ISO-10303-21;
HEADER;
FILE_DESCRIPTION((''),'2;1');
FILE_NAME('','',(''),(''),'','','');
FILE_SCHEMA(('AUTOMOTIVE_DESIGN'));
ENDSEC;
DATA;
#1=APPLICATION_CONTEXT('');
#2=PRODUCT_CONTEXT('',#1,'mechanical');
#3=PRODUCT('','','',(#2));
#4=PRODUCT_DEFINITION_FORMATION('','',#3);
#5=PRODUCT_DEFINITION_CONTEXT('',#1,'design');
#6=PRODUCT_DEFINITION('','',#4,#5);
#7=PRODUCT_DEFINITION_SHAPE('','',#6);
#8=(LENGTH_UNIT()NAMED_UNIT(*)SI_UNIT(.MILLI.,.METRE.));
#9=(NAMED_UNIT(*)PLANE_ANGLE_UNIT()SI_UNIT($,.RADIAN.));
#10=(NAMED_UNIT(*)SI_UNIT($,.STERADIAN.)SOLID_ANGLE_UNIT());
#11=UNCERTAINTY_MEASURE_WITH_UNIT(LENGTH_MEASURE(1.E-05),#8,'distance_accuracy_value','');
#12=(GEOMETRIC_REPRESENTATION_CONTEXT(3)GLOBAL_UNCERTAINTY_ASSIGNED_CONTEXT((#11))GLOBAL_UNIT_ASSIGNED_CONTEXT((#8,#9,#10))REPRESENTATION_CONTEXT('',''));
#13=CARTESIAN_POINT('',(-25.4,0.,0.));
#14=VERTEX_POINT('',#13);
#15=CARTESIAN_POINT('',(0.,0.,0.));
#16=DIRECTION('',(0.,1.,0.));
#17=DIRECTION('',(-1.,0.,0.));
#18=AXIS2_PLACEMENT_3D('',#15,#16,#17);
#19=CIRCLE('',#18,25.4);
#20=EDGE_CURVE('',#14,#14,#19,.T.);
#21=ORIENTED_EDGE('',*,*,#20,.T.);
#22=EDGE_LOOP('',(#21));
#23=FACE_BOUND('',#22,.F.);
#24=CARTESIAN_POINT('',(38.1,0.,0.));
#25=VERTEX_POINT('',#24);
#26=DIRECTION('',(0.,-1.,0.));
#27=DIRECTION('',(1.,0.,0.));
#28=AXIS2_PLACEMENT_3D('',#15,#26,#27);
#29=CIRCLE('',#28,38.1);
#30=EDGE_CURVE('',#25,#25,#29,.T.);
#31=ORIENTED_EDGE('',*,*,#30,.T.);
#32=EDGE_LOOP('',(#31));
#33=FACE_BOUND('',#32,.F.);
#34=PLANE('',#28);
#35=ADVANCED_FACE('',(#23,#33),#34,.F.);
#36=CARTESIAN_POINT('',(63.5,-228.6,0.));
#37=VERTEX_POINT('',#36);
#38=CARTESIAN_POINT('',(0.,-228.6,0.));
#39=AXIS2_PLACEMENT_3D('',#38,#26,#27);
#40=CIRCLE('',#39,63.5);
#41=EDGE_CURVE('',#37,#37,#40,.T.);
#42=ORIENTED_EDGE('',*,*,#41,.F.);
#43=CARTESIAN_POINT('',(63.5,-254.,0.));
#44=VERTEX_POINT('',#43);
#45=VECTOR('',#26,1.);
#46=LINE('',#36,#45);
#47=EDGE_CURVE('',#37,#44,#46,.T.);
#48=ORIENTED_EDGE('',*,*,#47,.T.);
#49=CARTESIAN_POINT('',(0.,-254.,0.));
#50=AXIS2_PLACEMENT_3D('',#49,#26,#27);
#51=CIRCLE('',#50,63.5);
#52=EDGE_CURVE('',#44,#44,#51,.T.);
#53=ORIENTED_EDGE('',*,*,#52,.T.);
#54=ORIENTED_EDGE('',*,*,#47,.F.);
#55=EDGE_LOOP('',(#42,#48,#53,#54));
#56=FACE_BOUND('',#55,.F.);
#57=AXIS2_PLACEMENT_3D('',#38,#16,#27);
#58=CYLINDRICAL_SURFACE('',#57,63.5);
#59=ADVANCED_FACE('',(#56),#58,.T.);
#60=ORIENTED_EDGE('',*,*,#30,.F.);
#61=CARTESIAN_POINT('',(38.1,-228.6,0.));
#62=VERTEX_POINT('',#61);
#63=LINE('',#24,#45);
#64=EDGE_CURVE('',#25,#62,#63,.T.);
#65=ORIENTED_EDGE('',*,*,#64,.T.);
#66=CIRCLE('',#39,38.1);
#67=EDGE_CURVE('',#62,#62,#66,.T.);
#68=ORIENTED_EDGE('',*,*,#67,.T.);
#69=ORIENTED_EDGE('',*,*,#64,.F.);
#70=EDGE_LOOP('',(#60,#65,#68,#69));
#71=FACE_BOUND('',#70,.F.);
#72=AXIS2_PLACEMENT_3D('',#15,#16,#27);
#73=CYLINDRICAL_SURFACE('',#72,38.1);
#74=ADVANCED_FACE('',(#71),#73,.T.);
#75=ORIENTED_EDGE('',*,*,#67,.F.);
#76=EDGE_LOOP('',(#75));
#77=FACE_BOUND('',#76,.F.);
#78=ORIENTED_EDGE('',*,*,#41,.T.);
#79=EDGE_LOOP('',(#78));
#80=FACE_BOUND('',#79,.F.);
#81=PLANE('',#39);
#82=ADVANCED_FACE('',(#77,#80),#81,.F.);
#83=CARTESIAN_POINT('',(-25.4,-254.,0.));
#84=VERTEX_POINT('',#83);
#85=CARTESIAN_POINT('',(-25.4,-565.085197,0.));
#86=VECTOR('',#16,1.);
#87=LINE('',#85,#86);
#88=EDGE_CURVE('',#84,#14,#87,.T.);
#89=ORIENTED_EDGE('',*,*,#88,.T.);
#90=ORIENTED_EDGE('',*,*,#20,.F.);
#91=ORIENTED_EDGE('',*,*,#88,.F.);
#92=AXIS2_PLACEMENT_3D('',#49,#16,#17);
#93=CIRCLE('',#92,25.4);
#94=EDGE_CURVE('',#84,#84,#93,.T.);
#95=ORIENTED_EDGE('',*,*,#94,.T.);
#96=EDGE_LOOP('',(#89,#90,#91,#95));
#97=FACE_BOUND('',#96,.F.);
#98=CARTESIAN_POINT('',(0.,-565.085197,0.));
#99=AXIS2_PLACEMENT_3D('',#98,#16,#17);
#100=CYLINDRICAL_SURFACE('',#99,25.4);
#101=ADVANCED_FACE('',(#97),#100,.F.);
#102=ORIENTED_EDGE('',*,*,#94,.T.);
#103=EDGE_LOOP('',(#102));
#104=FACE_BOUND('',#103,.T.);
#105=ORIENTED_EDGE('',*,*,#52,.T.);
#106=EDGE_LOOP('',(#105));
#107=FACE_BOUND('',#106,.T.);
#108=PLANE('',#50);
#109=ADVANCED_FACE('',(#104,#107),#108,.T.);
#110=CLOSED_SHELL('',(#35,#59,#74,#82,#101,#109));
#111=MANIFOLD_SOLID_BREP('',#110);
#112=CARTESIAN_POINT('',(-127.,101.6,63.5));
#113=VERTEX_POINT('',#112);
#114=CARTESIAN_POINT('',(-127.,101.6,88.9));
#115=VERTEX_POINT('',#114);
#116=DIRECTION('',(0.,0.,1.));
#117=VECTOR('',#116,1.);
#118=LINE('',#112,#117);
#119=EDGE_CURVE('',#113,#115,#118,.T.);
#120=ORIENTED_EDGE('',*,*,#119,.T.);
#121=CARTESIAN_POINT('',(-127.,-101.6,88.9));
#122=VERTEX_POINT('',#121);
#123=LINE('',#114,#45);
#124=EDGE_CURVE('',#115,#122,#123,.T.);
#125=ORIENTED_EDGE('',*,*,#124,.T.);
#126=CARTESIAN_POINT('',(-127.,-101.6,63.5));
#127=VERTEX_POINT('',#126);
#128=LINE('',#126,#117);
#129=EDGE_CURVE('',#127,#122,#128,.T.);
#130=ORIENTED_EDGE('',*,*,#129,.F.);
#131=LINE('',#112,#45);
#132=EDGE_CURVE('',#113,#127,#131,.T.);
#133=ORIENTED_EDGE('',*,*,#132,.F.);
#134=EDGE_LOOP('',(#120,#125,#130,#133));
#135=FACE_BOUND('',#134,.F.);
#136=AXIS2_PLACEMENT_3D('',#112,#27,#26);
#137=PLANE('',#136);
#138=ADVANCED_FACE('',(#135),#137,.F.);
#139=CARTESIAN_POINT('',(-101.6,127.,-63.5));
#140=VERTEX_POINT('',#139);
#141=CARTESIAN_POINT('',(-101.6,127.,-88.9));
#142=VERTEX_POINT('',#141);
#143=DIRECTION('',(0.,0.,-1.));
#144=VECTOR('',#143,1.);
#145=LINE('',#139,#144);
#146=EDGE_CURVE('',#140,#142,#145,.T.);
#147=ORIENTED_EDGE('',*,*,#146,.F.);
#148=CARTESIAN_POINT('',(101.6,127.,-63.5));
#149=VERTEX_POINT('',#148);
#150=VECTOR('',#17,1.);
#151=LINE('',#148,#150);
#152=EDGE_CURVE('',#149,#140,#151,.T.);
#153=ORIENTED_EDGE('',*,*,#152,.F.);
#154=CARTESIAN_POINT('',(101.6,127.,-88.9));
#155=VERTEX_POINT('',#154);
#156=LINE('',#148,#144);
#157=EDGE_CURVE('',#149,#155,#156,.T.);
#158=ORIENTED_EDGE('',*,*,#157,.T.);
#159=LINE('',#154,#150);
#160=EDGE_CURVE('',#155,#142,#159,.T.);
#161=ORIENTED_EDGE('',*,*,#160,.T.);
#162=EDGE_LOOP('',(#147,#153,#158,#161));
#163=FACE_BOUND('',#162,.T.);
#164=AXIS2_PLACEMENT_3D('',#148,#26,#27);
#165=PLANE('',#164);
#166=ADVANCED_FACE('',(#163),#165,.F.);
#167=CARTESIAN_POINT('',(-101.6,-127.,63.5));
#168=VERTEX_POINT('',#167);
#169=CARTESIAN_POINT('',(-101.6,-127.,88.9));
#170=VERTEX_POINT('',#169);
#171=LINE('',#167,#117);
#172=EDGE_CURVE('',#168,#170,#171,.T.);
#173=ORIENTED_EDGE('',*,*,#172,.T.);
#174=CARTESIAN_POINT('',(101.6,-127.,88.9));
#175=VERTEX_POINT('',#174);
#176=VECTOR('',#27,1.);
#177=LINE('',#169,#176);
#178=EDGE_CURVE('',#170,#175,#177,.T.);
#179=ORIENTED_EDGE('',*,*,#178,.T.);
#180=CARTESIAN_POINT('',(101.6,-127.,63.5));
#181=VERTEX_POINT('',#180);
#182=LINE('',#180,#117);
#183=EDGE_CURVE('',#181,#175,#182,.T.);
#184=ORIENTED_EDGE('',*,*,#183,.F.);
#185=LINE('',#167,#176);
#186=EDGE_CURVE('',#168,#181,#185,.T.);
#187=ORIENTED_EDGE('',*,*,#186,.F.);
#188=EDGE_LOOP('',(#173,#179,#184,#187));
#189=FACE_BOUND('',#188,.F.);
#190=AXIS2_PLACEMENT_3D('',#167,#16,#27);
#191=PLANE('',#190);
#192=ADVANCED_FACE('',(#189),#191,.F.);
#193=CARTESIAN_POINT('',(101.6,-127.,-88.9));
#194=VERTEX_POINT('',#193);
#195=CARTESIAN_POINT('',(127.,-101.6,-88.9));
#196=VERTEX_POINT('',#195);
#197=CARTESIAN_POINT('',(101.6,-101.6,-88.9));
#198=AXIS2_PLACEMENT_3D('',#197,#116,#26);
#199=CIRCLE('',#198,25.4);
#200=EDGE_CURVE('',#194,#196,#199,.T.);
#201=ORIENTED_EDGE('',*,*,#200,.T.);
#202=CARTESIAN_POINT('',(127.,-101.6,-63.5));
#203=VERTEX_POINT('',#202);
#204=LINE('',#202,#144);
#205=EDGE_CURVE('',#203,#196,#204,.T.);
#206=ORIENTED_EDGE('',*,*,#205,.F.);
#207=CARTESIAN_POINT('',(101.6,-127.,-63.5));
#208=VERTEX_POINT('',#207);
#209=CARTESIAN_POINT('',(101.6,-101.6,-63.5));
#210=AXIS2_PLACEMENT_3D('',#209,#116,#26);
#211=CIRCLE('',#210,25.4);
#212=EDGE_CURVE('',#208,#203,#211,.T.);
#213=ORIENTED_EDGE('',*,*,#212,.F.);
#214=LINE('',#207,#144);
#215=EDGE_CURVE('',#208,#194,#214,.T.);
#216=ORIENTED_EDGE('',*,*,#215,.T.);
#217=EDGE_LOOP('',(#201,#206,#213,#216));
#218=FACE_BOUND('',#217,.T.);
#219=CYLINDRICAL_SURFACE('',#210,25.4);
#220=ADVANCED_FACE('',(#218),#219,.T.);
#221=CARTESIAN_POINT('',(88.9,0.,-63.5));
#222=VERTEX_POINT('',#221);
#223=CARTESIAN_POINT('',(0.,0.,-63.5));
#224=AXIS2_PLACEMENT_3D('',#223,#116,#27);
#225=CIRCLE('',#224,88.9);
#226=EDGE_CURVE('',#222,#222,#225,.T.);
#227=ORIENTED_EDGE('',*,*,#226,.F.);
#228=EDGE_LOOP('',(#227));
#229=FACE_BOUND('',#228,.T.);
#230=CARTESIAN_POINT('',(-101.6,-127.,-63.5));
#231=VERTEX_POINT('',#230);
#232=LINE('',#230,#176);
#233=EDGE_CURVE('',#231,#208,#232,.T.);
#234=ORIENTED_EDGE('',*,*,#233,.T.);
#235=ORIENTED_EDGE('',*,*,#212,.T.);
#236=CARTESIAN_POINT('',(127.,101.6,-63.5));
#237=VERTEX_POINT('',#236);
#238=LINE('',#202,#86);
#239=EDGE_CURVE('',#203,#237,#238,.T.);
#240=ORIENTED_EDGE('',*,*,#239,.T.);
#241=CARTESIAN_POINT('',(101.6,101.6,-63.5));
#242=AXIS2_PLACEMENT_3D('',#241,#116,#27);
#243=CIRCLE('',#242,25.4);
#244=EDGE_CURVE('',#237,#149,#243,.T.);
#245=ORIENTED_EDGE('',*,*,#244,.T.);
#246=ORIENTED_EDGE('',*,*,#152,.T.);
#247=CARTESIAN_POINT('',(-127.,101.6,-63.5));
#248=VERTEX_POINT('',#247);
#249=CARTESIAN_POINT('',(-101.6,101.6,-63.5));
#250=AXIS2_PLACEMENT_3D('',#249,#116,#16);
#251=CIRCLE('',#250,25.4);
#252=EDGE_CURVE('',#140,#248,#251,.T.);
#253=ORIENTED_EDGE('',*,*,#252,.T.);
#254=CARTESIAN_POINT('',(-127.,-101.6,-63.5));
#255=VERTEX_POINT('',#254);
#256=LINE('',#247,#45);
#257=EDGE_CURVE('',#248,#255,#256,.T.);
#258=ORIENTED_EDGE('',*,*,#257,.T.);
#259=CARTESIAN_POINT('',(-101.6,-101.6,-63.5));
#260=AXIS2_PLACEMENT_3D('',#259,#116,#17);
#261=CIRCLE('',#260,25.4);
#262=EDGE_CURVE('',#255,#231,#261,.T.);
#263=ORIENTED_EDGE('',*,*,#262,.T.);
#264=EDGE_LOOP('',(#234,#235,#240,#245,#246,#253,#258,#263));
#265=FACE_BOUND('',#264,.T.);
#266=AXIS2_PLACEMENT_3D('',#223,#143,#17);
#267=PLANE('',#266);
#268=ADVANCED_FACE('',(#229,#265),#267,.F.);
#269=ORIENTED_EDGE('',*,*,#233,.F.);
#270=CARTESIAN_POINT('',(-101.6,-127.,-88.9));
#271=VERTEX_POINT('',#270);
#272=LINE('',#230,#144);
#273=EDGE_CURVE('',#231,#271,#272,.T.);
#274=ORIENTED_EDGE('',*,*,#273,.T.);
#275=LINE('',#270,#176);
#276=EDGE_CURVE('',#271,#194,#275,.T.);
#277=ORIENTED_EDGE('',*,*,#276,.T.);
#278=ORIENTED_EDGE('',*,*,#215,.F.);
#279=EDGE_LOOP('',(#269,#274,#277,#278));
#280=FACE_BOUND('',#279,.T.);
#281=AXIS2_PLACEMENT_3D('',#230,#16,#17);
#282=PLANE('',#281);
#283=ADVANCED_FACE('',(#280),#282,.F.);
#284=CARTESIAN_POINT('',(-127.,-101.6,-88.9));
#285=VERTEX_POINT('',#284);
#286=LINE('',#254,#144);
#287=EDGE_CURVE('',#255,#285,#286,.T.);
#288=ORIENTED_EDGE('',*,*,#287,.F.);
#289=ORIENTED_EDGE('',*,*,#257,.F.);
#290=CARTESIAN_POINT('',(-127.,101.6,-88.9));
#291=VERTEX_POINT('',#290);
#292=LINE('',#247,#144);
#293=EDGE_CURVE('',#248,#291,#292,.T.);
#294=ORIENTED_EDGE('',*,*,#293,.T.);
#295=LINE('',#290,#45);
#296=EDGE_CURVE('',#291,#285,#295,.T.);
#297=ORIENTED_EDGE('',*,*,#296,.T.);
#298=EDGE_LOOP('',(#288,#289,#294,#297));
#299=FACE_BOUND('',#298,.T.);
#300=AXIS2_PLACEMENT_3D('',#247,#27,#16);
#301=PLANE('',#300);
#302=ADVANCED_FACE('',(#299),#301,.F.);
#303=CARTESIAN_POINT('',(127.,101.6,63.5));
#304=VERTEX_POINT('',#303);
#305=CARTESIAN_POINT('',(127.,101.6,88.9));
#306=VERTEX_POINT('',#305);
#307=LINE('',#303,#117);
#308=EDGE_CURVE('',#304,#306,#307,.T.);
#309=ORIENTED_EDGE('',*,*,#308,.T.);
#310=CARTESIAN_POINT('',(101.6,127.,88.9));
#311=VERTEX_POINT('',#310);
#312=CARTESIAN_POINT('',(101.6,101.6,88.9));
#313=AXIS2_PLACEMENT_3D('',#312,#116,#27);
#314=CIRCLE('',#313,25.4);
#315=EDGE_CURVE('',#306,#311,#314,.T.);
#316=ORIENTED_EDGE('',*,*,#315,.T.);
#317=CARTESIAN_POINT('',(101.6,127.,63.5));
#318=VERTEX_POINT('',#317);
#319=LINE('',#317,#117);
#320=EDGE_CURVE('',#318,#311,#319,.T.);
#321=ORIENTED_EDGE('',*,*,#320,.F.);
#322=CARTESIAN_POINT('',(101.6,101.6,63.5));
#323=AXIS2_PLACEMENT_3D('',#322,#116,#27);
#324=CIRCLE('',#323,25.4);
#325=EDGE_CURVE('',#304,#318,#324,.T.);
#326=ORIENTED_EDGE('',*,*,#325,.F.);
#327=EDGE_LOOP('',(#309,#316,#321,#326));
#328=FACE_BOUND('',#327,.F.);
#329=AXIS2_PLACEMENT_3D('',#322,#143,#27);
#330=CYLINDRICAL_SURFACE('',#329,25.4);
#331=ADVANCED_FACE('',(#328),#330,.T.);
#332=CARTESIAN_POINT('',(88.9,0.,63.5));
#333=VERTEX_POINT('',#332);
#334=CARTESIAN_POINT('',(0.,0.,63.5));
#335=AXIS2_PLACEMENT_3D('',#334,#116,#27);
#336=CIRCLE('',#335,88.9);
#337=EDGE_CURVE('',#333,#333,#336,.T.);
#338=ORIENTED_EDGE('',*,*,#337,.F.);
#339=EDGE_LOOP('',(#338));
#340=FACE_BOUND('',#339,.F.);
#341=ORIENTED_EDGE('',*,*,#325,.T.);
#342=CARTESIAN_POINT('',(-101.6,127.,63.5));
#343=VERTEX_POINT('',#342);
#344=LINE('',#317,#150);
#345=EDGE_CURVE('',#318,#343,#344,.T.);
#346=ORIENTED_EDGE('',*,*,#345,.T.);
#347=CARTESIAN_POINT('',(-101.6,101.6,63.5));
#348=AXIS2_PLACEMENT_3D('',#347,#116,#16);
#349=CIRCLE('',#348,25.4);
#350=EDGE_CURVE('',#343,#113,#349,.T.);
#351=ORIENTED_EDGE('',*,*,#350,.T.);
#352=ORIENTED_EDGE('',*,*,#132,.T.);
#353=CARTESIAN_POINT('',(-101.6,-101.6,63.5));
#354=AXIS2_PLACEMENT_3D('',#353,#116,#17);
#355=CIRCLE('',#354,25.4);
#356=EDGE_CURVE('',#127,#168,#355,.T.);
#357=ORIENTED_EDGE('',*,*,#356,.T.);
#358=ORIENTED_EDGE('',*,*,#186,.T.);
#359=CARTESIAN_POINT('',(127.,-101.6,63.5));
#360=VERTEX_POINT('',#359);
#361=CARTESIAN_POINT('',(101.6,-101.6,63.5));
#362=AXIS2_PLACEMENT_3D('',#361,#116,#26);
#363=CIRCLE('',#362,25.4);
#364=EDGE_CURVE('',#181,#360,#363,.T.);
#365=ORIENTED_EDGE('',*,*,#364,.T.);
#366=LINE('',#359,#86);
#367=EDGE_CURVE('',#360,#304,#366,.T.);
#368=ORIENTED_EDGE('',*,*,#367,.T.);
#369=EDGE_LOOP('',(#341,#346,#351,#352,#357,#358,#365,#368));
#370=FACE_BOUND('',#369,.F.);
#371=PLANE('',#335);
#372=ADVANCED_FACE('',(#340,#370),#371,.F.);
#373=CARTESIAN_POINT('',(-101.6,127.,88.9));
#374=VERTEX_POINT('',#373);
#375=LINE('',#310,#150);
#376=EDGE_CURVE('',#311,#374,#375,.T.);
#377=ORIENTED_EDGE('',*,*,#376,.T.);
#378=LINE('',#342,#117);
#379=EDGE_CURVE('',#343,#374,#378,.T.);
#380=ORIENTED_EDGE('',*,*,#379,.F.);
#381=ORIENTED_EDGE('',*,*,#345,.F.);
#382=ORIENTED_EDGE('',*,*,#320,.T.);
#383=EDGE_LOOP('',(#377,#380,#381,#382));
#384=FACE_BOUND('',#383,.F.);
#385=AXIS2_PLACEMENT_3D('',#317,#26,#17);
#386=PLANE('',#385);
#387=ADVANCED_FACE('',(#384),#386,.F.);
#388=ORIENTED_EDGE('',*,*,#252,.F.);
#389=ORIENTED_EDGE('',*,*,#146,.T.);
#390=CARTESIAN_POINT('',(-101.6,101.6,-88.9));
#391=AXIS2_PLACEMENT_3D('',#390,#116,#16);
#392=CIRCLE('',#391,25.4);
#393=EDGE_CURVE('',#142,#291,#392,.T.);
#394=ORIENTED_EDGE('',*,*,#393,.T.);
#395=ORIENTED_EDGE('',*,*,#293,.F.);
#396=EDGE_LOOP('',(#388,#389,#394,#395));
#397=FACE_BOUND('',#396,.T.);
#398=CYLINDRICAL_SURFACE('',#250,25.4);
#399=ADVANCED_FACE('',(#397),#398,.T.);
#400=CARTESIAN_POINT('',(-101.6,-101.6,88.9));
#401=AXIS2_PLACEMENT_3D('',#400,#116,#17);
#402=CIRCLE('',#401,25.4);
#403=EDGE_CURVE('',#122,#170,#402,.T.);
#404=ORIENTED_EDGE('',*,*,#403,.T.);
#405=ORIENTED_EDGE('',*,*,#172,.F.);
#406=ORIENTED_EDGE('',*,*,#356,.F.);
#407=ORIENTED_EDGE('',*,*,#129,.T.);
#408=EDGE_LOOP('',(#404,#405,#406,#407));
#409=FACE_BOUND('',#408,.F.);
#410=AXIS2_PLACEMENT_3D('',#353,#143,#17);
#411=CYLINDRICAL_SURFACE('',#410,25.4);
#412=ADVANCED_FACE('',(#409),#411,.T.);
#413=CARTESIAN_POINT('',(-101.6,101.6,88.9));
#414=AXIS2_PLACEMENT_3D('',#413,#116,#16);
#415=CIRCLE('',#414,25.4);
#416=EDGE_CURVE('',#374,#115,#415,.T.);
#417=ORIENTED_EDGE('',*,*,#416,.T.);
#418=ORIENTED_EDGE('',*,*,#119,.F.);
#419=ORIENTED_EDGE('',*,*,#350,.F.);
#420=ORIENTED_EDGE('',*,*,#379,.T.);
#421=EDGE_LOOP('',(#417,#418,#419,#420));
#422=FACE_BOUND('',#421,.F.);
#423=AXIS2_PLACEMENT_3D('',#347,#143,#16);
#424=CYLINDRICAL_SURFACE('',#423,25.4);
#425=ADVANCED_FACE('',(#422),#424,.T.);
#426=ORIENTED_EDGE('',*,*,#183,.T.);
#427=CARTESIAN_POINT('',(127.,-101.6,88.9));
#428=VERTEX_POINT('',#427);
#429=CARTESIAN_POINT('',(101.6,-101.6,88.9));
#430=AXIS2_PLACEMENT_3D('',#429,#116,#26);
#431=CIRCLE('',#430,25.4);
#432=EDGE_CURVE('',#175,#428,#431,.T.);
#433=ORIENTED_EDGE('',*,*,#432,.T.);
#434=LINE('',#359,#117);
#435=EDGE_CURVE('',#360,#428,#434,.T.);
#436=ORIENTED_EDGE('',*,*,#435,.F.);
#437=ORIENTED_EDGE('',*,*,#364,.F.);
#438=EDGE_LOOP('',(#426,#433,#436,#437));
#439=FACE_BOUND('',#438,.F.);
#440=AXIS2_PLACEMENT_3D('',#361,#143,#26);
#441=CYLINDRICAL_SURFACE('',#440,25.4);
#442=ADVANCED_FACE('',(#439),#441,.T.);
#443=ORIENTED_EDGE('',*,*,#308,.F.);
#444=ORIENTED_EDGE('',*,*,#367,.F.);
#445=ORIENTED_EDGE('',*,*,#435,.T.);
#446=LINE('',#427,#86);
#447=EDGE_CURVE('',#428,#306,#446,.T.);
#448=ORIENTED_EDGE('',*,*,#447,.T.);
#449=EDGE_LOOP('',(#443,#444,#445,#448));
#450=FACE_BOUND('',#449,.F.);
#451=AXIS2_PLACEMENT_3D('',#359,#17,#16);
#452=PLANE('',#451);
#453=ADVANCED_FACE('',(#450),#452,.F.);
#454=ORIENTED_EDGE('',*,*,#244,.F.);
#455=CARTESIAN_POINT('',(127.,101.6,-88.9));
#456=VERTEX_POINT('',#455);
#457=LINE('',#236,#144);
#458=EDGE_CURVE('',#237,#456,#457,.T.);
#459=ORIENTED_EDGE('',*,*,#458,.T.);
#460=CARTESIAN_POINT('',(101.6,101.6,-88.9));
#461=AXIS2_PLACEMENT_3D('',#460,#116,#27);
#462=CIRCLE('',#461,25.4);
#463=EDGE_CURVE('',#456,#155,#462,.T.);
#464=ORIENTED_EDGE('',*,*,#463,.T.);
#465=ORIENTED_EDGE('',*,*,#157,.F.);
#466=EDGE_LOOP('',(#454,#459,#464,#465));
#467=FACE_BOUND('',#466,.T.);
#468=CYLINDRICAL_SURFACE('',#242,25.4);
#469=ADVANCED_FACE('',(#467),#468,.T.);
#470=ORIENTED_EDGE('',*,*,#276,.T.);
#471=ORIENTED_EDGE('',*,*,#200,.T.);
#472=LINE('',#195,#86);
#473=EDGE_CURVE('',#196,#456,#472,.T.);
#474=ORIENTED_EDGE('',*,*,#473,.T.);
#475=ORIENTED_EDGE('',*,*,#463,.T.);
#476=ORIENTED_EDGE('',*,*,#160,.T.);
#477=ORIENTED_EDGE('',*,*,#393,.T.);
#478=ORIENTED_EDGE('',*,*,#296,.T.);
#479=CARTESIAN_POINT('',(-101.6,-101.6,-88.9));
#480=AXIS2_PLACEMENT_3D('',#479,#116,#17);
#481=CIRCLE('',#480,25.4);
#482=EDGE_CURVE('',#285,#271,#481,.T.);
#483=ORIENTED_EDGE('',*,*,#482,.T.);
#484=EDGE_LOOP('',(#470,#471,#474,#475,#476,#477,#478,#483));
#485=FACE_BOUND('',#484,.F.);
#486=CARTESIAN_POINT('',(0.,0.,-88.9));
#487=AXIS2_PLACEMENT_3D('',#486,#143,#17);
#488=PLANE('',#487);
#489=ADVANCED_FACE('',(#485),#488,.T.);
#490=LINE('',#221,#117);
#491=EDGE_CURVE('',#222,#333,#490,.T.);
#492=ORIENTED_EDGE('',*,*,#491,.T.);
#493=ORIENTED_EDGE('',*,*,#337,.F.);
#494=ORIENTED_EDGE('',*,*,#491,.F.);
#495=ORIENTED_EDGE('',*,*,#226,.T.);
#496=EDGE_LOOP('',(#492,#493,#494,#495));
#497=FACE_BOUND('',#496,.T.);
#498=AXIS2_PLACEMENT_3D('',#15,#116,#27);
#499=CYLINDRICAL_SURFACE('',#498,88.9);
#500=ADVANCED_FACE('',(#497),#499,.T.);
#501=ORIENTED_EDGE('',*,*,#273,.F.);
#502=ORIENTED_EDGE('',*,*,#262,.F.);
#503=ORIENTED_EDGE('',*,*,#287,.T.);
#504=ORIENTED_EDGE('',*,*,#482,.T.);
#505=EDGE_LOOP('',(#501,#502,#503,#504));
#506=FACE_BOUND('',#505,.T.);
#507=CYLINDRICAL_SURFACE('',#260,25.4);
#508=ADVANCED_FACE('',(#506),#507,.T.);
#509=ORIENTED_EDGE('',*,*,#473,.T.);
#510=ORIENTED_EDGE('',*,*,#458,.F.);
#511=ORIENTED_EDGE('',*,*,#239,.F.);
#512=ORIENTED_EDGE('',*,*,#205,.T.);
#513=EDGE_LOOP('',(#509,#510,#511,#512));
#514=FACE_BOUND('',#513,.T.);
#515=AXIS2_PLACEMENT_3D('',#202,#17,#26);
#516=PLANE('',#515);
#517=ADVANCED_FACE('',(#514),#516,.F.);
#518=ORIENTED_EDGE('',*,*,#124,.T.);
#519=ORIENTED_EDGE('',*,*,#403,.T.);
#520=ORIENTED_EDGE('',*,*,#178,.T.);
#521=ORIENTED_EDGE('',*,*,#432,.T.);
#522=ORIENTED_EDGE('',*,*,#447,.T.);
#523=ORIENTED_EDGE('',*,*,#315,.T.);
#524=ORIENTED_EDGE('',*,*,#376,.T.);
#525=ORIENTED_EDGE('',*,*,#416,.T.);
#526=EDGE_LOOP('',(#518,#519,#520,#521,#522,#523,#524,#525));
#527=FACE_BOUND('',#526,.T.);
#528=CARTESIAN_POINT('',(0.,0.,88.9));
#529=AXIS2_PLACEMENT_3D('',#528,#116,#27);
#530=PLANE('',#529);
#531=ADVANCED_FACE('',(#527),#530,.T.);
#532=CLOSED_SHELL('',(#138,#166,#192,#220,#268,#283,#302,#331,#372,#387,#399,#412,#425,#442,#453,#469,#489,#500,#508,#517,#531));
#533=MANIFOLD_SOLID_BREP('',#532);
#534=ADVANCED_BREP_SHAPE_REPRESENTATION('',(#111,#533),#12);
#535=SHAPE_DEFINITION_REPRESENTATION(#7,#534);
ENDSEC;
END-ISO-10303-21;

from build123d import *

# Parameters (mm, degrees)
F0_R     = 88.9
F1_DEPTH = 63.5
F3_DEPTH = 25.4
F5_R     = 38.1
F6_DEPTH = 228.6
F7_R     = 63.5
F8_DEPTH = 25.4
F10_D    = 50.8


with BuildPart() as f1:
    # F0 (on Top) → F1 (new body, symmetric)
    with BuildSketch(Plane.XY):
        Circle(F0_R)
    extrude(amount=F1_DEPTH, both=True)

    # F2 (on face) → F3 (join)
    with BuildSketch(Plane.XY.offset(63.5)):
        with BuildLine():
            Line((101.6, 127), (0, 127))
            Line((0, 127), (-101.6, 127))
            ThreePointArc((-101.6, 127), (-119.5605122421, 119.5605122421), (-127, 101.6))
            Line((-127, 101.6), (-127, 0))
            Line((-127, 0), (-127, -101.6))
            ThreePointArc((-127, -101.6), (-119.5605122421, -119.5605122421), (-101.6, -127))
            Line((-101.6, -127), (0, -127))
            Line((0, -127), (101.6, -127))
            ThreePointArc((101.6, -127), (119.5605122421, -119.5605122421), (127, -101.6))
            Line((127, -101.6), (127, 0))
            Line((127, 0), (127, 101.6))
            ThreePointArc((127, 101.6), (119.5605122421, 119.5605122421), (101.6, 127))
        make_face()
    extrude(amount=F3_DEPTH)

    # F4: F1 across plane


with BuildPart() as f1_1:
    add(f1.part)
    add(f1.part.mirror(Plane.XY))


with BuildPart() as f6:
    # F5 (on Front) → F6 (new body)
    with BuildSketch(Plane.XZ):
        Circle(F5_R)
    extrude(amount=F6_DEPTH)

    # F7 (on face) → F8 (join)
    with BuildSketch(Plane.XZ.offset(228.6)):
        Circle(F7_R)
    extrude(amount=F8_DEPTH)

    # F10 (through all)
    with Locations(Plane.XZ.offset(254)):
        with Locations((0, 0)):
            Hole(F10_D / 2)


solid = Compound([f1_1.part, f6.part])
